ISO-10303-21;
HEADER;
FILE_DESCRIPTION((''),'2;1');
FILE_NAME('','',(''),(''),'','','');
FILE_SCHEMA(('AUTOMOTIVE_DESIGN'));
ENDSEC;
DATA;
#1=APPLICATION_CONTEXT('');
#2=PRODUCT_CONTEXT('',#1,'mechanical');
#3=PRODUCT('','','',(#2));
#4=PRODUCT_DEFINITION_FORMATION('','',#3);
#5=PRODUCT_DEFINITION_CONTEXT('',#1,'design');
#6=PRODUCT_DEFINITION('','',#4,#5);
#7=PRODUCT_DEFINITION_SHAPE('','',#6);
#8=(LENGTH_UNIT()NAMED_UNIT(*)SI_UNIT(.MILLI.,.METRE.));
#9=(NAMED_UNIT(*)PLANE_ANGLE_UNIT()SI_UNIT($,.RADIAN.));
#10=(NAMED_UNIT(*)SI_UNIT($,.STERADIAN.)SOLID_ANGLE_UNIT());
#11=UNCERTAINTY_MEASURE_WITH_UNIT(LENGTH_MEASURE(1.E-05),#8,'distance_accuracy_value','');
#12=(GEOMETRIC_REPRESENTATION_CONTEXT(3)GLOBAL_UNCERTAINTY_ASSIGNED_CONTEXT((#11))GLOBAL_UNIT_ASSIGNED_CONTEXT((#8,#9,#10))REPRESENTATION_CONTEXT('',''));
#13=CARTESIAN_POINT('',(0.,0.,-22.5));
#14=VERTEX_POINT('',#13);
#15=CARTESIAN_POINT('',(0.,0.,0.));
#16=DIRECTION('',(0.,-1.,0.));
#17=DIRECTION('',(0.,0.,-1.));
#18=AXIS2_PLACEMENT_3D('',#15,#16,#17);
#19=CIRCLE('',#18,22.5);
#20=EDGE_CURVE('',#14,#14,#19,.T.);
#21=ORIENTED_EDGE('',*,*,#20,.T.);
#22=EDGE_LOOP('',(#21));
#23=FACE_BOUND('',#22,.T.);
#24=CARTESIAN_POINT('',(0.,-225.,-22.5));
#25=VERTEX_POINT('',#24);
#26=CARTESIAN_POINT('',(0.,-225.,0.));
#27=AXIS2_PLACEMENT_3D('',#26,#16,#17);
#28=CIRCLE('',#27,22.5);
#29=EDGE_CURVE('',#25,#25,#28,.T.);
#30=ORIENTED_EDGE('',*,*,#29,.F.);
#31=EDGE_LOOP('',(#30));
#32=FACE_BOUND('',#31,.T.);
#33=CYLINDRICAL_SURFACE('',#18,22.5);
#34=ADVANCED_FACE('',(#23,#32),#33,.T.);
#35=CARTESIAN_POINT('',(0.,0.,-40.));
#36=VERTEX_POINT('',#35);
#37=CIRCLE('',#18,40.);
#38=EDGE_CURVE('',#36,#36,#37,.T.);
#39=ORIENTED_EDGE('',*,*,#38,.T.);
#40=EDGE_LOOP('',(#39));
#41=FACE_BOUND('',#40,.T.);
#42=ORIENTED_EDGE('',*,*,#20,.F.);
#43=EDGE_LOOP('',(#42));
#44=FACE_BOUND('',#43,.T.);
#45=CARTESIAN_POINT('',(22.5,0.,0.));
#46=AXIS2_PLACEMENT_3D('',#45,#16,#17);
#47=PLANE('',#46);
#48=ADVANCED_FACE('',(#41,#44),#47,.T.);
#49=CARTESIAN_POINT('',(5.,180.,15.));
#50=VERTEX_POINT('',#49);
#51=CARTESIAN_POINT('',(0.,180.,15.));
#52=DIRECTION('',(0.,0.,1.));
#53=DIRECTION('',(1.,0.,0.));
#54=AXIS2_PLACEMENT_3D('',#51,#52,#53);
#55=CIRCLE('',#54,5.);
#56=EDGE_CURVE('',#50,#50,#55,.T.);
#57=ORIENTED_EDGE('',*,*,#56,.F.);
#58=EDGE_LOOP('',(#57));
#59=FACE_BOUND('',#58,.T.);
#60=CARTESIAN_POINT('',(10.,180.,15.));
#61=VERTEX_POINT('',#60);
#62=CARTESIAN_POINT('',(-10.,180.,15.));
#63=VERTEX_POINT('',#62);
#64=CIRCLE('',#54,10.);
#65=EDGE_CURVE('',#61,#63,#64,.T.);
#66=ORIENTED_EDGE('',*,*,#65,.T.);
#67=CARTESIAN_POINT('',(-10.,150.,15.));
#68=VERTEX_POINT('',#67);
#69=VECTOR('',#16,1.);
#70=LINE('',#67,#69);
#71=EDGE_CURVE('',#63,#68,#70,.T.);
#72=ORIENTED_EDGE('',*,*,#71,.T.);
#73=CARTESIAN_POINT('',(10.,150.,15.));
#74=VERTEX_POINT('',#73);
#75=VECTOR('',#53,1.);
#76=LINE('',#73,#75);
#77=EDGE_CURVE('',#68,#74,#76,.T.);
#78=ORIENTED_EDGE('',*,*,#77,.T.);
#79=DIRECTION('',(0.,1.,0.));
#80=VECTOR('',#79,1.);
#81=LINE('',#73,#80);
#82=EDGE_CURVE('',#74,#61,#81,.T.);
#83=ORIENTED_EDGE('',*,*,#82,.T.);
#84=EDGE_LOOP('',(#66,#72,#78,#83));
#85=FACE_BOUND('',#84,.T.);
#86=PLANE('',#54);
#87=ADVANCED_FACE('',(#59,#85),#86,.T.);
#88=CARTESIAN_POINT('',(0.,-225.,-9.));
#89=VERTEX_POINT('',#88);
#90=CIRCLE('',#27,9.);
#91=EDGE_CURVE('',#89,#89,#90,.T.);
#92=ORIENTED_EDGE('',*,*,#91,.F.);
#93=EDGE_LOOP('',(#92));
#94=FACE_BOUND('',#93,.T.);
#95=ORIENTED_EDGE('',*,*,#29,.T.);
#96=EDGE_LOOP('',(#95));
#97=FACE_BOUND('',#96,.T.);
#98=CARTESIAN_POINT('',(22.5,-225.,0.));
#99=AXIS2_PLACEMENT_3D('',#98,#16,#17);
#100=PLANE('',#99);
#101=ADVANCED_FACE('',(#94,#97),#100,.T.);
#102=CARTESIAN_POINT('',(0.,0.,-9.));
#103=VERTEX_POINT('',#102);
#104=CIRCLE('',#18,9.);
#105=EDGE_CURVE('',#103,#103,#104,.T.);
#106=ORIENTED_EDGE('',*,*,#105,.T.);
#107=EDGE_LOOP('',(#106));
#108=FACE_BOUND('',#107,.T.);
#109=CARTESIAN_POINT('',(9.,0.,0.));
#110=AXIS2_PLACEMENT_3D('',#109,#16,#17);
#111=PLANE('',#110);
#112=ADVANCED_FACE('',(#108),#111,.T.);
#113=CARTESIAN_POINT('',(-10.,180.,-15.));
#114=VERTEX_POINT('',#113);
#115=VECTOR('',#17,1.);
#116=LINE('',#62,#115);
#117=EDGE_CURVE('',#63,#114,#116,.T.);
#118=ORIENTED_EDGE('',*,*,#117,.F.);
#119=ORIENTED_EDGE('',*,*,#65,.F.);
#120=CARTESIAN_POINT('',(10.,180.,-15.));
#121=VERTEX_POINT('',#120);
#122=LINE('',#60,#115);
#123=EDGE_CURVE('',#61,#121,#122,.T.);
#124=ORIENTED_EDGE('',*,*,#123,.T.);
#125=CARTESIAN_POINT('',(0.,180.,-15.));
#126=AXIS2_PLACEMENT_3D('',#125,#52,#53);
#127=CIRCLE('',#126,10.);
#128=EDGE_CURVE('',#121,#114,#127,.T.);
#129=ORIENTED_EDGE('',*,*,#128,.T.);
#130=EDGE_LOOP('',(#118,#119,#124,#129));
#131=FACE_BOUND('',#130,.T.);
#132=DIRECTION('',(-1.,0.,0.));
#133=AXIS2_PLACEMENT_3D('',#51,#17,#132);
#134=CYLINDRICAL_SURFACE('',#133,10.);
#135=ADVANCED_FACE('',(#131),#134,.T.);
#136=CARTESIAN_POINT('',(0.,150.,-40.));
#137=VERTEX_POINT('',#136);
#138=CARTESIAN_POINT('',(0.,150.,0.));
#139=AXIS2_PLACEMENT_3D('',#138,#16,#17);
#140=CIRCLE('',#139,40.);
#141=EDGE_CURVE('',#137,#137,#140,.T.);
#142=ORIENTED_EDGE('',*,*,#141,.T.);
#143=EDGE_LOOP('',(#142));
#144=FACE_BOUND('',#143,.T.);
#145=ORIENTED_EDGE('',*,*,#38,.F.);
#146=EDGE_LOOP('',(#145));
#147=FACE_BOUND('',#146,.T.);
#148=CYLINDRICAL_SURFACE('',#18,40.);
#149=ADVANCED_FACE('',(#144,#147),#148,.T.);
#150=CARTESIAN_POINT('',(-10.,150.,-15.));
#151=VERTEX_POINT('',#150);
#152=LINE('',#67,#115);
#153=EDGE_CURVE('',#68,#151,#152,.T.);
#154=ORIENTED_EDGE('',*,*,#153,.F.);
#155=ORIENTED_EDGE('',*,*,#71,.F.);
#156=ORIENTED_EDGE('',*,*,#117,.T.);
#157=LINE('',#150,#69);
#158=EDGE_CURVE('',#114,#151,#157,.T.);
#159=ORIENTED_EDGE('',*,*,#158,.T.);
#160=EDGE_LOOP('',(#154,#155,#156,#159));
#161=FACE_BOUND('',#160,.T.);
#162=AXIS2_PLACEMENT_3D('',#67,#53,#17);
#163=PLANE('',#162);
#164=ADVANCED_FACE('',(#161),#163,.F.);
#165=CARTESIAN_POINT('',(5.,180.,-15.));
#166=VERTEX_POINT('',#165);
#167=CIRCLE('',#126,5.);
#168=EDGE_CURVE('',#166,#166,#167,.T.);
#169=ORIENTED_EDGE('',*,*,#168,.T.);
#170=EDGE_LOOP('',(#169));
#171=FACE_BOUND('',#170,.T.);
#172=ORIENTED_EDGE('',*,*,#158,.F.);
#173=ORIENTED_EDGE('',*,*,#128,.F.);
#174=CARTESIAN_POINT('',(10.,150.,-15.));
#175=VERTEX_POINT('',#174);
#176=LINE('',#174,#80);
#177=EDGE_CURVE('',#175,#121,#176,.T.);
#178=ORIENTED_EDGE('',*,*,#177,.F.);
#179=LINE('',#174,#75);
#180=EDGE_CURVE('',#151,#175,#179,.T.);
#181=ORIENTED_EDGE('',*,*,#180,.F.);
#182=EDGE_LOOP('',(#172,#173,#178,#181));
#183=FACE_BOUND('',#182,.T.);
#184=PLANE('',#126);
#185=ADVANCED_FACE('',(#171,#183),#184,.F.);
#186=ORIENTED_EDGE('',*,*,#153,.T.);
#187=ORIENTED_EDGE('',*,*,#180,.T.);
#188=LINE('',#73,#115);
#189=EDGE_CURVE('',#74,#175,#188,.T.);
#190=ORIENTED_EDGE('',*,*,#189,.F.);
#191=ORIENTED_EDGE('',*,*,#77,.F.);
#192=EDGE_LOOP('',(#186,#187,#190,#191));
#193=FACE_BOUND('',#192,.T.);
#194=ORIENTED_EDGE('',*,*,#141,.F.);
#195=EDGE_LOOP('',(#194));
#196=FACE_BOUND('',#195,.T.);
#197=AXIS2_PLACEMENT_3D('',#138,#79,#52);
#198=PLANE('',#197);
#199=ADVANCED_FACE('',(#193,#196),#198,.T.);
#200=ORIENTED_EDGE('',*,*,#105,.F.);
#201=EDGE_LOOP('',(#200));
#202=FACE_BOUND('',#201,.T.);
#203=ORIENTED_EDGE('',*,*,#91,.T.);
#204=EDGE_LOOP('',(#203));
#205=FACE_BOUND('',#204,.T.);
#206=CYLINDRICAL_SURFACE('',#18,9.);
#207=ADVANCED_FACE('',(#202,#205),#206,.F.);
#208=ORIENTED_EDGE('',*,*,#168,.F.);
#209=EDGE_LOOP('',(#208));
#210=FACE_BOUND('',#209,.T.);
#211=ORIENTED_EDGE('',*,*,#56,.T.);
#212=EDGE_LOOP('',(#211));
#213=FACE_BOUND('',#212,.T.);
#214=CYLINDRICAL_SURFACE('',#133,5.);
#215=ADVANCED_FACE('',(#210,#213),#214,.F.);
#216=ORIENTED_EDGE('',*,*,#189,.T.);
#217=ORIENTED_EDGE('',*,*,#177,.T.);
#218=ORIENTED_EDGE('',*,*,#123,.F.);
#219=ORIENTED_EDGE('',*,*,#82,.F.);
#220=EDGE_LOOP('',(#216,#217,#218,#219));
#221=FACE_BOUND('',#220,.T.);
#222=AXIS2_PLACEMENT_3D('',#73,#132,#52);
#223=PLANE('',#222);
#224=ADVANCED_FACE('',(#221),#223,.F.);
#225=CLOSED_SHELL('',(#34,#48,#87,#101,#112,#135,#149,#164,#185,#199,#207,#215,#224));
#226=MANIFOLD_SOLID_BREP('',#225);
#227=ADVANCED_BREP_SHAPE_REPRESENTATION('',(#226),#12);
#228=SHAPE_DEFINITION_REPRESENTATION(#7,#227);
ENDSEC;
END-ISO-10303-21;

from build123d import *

# Parameters (mm, degrees)
ESBO_O2_R                = 5
RESSALTO_EXTRUS_O1_DEPTH = 15


with BuildPart() as part:
    # Esboço1 → Revolução1 (revolve)
    with BuildSketch(Plane.XY):
        Polygon((0, 150), (40, 150), (40, 0), (22.5, 0), (22.5, -225), (9, -225), (9, 0), (0, 0), align=None)
    revolve(axis=Axis((0, 0, 0), (0, 1, 0)))

    # Esboço2 → Ressalto-extrusão1 (add, symmetric)
    with BuildSketch(Plane.XY):
        with BuildLine():
            Line((10, 150), (10, 180))
            ThreePointArc((10, 180), (0, 190), (-10, 180))
            Line((-10, 180), (-10, 150))
            Line((-10, 150), (10, 150))
        make_face()
        with Locations((0, 180)):
            Circle(ESBO_O2_R, mode=Mode.SUBTRACT)
    extrude(amount=RESSALTO_EXTRUS_O1_DEPTH, both=True)


solid = part.part
